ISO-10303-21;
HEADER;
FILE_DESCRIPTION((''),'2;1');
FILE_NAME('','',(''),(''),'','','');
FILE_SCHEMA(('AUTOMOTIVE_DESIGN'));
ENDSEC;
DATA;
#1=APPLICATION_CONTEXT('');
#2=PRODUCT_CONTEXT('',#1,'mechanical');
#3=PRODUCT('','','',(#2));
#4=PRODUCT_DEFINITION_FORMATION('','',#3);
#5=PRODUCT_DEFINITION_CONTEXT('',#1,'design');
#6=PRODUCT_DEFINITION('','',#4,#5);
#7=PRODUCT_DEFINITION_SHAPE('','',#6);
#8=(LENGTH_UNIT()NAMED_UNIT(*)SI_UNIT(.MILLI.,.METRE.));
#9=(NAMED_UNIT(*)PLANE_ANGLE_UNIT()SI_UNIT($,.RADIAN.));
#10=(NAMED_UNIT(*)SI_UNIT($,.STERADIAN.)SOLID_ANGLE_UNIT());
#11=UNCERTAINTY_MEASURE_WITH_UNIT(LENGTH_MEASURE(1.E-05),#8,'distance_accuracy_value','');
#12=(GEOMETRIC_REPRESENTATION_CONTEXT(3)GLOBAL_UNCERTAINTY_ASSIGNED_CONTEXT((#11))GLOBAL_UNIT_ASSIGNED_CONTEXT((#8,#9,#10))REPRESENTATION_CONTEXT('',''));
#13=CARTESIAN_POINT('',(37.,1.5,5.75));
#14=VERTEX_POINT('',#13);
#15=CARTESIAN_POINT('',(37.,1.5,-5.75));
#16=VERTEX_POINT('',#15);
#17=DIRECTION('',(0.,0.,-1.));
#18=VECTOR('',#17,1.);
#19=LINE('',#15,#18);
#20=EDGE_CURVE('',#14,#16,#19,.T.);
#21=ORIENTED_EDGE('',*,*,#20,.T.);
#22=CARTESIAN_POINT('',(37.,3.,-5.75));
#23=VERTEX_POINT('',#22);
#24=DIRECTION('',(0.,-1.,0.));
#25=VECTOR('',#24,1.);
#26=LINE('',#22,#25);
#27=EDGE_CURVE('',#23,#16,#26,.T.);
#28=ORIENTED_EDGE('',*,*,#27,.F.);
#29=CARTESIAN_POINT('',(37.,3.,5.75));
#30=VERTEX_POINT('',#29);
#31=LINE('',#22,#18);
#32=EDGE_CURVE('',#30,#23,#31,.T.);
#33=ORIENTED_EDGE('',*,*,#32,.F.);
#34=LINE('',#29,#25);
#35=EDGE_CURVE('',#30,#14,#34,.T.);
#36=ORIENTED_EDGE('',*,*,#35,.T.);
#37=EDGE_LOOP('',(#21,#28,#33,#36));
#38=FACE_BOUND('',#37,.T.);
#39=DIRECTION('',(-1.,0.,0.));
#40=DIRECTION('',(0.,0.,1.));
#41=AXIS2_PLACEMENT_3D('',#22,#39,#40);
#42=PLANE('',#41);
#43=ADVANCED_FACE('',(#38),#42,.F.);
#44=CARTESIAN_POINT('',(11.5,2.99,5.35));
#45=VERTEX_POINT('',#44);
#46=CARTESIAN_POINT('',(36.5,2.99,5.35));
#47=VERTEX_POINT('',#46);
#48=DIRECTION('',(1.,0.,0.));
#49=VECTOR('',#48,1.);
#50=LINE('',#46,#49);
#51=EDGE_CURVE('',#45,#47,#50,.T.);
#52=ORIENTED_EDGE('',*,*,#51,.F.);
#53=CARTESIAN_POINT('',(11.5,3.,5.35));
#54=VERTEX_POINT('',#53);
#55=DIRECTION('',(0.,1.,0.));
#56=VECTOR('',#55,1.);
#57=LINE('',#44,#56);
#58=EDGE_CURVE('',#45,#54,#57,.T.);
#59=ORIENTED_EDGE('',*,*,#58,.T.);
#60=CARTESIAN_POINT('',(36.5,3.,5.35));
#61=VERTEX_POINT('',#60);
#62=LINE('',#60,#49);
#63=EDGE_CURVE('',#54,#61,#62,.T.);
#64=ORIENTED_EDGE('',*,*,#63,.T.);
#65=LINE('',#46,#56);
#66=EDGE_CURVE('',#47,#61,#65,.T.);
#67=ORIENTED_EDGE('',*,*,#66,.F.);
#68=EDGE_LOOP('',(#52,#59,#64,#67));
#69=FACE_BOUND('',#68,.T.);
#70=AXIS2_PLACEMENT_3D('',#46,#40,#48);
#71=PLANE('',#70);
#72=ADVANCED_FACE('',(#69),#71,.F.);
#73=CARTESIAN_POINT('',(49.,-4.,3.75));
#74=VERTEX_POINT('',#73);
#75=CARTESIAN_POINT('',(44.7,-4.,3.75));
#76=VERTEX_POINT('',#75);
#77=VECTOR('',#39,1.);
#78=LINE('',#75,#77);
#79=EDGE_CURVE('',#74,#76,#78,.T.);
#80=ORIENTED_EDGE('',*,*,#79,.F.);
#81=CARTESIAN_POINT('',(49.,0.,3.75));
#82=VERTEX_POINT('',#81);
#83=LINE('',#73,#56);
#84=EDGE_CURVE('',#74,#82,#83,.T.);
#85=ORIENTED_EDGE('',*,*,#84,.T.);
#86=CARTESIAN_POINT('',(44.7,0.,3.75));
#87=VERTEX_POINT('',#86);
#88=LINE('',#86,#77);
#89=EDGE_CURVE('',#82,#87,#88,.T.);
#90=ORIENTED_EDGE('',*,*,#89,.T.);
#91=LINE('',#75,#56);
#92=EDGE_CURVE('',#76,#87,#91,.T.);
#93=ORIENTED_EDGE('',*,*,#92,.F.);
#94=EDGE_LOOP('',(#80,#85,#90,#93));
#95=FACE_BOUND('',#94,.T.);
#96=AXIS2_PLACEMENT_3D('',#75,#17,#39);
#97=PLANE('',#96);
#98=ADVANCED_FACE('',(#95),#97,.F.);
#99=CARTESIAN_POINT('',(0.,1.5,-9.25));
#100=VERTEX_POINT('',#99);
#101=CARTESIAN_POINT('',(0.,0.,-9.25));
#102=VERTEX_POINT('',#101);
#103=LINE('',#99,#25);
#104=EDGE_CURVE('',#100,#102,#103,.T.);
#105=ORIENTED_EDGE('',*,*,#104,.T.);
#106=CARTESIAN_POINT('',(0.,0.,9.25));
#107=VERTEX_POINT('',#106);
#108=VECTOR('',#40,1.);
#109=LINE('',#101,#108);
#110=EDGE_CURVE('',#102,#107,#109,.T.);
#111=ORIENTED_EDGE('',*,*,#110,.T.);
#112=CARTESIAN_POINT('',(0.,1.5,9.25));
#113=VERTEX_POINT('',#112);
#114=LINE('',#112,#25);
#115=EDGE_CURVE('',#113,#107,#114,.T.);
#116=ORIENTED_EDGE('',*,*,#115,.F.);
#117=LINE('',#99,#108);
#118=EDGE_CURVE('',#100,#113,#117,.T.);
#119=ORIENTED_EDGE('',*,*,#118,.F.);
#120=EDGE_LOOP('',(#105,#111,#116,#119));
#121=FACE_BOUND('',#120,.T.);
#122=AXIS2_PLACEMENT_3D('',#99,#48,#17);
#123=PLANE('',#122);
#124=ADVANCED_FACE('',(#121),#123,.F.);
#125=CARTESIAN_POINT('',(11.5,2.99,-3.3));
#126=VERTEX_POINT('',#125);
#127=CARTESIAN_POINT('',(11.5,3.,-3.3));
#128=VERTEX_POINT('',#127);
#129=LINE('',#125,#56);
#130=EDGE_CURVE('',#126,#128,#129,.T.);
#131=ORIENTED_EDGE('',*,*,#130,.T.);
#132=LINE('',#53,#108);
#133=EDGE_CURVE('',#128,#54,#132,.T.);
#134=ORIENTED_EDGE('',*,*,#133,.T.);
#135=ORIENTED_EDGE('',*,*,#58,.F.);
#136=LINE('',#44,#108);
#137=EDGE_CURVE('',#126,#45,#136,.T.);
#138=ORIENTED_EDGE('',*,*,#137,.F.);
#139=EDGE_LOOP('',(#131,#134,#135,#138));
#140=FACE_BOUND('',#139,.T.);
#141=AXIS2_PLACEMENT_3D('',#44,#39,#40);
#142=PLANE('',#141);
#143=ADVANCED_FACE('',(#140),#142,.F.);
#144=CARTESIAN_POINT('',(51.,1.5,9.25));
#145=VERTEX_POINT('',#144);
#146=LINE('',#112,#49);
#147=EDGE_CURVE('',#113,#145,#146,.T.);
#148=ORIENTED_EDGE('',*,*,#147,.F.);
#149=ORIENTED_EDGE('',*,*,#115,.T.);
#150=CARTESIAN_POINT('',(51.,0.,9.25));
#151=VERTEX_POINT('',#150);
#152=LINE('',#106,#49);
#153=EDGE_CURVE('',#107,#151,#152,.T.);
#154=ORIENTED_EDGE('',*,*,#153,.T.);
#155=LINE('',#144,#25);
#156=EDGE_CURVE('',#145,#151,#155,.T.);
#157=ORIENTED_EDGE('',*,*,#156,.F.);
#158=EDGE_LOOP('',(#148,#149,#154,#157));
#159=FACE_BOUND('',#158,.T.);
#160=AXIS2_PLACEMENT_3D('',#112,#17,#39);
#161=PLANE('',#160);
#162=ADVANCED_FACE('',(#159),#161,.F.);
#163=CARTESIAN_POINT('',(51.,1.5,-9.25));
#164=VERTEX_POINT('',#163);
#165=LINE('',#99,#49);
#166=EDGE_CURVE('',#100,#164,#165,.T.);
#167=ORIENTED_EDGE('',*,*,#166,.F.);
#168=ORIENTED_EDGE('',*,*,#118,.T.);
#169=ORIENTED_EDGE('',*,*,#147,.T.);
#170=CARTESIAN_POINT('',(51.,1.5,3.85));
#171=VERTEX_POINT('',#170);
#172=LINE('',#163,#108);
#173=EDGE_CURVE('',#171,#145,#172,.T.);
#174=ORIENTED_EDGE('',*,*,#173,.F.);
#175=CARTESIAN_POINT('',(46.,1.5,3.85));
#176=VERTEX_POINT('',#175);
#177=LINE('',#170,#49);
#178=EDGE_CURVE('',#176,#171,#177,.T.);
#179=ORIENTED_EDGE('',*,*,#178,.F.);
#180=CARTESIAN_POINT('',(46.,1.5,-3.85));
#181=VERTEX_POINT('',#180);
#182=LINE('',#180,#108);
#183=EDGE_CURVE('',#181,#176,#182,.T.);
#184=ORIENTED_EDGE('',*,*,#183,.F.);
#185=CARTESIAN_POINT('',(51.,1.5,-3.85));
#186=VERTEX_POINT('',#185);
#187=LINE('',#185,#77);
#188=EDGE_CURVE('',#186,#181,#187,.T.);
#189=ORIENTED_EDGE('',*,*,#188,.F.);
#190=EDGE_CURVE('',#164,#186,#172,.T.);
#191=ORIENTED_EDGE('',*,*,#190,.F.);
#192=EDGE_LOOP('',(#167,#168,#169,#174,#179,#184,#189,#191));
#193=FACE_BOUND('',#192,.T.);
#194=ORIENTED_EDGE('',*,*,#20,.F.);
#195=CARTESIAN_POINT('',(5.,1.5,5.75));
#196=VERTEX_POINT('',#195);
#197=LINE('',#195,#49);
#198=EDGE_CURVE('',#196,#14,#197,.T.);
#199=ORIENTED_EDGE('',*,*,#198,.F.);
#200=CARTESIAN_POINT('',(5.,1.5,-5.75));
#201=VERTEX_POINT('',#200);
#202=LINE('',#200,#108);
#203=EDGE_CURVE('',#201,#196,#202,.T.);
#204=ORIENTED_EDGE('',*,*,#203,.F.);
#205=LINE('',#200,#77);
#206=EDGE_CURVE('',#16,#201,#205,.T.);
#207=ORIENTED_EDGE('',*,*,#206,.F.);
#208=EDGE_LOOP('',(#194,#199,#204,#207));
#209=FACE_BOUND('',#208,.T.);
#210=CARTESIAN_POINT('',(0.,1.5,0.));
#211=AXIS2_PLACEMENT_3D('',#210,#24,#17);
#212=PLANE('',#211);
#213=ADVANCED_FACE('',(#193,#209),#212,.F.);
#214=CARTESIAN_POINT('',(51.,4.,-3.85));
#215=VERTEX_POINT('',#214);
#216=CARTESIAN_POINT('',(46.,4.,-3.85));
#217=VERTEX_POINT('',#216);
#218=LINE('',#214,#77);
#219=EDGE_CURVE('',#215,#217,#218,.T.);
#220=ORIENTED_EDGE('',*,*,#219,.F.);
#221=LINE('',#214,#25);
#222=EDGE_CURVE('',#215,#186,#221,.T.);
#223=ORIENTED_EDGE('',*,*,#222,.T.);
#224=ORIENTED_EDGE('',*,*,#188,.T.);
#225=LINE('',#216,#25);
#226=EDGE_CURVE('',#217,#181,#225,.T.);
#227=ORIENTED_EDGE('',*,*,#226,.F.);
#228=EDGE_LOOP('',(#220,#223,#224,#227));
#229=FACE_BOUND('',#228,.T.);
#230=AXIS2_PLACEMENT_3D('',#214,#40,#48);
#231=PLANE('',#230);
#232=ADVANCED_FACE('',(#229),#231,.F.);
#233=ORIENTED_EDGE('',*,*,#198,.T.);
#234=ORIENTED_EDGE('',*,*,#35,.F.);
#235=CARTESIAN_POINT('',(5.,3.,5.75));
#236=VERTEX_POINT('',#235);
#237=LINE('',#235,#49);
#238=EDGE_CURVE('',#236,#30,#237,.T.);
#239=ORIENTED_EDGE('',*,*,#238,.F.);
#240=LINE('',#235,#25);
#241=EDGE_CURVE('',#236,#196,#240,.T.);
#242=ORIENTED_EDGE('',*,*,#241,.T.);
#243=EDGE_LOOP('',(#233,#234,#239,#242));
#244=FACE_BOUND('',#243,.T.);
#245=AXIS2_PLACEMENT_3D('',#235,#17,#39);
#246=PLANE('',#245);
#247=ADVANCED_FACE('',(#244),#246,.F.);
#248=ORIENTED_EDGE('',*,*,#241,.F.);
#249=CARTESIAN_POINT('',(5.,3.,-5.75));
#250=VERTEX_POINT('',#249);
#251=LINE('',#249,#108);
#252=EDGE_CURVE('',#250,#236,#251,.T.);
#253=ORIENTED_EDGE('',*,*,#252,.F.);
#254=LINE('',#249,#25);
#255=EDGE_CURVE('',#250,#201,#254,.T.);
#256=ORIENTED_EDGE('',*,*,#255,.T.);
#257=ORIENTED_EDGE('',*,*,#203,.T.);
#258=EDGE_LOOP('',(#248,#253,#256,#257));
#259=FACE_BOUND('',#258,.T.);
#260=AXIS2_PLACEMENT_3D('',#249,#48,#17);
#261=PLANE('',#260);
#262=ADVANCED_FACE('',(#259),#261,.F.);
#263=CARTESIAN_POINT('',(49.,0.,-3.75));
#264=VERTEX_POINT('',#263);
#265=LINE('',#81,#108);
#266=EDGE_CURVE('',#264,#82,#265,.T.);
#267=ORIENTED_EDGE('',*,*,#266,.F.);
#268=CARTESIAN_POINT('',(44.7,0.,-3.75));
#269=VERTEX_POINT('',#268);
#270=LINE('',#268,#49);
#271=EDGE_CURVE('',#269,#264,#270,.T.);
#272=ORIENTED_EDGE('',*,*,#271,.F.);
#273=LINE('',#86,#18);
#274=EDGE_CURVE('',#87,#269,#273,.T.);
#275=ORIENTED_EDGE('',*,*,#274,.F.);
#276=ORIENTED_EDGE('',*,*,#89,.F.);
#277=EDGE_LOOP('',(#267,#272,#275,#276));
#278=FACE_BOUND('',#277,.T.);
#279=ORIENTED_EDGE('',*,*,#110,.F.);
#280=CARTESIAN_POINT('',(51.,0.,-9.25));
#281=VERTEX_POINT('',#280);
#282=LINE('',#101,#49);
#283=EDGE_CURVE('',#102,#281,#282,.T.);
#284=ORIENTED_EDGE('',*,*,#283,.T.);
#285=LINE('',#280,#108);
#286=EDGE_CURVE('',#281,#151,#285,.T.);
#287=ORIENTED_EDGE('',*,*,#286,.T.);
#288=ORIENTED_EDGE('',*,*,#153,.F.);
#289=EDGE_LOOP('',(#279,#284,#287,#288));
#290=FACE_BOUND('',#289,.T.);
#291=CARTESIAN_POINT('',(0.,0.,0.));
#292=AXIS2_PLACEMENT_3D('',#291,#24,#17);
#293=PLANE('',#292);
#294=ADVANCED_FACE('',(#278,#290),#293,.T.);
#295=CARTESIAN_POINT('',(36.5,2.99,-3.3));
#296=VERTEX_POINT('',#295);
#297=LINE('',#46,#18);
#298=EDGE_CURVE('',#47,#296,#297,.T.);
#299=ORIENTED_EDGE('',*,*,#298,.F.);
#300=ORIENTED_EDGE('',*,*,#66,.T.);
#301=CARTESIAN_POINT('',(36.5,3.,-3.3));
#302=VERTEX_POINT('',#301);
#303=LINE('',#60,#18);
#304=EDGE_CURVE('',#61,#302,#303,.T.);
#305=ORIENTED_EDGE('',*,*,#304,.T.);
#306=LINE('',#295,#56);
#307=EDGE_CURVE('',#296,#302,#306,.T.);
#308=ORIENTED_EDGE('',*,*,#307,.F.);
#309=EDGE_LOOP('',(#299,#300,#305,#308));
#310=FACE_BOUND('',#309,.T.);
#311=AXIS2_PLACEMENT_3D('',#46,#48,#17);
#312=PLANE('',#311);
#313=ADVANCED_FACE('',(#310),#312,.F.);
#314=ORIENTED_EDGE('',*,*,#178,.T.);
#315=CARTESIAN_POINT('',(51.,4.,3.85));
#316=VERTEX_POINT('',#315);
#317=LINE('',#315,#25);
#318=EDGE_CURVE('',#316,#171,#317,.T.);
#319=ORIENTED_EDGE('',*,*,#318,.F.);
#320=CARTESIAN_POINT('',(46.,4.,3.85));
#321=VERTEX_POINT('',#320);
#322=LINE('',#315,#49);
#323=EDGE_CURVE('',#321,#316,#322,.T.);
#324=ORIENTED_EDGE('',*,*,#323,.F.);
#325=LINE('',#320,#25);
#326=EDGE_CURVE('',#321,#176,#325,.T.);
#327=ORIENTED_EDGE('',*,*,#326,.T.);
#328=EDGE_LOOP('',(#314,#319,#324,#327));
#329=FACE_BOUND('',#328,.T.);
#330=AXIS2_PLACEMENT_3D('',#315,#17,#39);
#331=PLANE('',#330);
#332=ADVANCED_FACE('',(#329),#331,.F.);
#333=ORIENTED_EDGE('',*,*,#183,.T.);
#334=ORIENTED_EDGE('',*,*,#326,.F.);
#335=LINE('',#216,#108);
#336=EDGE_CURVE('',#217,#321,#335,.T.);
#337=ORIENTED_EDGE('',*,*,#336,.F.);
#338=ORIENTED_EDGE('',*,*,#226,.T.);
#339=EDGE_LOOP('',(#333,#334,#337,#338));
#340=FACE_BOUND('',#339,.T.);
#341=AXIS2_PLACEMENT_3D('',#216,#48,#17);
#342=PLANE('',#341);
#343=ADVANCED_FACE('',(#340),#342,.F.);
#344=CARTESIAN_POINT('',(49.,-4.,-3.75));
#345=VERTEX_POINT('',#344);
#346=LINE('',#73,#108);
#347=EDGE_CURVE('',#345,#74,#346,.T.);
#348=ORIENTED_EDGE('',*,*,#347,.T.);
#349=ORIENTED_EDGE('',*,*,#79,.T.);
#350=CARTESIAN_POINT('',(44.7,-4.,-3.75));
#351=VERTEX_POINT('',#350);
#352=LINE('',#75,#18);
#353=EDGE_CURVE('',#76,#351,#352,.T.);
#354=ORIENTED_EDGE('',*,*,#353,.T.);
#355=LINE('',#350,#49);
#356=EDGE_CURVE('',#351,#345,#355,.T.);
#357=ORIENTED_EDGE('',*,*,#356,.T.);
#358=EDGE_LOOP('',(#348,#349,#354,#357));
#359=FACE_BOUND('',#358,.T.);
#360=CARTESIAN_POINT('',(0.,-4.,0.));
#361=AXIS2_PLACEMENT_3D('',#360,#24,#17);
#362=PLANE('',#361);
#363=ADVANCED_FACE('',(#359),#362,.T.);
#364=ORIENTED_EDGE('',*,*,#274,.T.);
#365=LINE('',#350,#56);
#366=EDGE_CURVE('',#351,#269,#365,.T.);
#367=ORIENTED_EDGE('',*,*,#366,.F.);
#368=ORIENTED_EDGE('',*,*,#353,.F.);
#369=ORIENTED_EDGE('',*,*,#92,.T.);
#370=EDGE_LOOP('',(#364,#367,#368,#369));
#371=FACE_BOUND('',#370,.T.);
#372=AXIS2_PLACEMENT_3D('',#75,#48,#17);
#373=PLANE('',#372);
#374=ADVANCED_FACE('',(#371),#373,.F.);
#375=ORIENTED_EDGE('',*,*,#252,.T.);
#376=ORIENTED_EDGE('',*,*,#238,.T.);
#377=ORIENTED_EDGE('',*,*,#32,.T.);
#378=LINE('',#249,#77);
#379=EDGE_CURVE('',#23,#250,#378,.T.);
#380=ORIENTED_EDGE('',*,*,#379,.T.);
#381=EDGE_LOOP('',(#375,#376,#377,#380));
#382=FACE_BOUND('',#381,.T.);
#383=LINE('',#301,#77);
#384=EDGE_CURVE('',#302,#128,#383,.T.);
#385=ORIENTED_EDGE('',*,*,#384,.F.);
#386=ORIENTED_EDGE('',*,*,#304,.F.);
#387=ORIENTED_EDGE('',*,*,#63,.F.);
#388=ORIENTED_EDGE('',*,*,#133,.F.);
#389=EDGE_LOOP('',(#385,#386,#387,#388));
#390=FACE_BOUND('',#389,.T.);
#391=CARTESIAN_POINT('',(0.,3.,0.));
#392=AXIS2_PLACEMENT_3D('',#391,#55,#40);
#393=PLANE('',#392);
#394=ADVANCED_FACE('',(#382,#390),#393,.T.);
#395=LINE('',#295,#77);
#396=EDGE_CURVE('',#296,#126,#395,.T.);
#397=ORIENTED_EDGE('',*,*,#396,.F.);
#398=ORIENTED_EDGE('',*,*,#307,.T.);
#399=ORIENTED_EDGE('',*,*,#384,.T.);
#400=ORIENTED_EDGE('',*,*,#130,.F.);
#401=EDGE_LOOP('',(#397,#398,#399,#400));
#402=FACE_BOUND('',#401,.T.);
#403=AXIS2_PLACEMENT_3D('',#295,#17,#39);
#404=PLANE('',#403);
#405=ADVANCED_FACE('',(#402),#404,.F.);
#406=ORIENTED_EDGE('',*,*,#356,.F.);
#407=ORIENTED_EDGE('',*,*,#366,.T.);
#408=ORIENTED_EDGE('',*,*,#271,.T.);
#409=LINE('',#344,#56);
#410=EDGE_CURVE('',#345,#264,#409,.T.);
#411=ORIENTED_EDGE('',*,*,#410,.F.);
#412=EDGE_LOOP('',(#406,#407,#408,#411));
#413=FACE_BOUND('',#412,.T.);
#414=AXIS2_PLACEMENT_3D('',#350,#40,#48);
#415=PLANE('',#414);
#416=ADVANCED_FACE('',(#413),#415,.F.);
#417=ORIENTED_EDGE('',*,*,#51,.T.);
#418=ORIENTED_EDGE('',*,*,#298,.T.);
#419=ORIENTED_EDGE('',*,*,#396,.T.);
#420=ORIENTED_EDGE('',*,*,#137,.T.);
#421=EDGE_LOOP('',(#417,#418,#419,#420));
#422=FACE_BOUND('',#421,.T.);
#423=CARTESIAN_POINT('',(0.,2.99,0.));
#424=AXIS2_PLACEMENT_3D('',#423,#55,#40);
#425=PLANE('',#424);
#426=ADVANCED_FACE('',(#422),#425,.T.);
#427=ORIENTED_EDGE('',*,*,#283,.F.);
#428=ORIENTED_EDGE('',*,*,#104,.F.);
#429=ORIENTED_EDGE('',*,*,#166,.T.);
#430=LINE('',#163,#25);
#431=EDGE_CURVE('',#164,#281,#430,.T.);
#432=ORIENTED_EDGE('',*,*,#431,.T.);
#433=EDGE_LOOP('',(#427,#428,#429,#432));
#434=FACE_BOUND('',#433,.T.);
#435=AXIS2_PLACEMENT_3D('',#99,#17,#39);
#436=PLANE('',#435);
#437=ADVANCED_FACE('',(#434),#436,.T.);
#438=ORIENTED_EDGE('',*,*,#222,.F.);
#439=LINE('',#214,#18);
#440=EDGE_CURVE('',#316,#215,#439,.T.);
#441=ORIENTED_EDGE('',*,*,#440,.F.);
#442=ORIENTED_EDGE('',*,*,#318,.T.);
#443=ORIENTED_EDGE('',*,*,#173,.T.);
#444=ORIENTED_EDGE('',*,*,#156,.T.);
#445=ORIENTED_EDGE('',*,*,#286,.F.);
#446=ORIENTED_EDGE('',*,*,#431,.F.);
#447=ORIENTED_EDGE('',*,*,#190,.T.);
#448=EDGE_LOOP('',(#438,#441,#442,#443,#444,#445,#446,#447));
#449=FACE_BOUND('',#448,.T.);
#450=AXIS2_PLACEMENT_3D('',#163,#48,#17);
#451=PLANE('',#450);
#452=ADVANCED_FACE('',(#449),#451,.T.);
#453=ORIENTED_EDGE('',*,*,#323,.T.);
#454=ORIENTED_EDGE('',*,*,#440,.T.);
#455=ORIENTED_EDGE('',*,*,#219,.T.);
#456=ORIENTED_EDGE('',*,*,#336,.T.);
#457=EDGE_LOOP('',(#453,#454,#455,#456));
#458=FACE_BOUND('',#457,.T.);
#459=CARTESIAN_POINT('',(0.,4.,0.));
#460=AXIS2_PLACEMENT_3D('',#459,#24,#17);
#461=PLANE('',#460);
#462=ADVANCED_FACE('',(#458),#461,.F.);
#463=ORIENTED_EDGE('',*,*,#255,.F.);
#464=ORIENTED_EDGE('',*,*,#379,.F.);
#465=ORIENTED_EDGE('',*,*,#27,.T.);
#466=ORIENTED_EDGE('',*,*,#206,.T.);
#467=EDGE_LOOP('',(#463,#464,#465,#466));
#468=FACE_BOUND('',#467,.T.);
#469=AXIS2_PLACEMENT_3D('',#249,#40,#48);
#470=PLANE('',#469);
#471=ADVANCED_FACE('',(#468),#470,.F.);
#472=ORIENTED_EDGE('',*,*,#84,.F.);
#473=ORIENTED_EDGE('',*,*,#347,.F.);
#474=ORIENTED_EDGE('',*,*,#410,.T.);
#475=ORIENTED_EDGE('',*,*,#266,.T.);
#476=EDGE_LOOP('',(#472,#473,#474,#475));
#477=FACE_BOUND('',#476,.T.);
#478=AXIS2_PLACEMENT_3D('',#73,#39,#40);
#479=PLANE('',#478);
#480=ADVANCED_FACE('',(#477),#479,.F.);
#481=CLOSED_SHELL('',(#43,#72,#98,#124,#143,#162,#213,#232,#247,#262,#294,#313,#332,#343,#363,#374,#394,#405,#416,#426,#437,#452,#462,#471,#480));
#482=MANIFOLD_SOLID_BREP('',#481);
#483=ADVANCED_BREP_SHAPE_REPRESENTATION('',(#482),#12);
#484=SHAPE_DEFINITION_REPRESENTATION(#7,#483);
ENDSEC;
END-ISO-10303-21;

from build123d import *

# Parameters (mm, degrees)
SKETCH1_W           = 51
SKETCH1_H           = 18.5
BOSS_EXTRUDE1_DEPTH = 1.5
SKETCH2_W           = 32
SKETCH2_H           = 11.5
BOSS_EXTRUDE2_DEPTH = 1.5
SKETCH3_W           = 5
SKETCH3_H           = 7.7
BOSS_EXTRUDE3_DEPTH = 2.5
SKETCH4_W           = 4.3
SKETCH4_H           = 7.5
BOSS_EXTRUDE4_DEPTH = 4
SKETCH5_W           = 25
SKETCH5_H           = 8.65
CUT_EXTRUDE1_DEPTH  = 0.01


with BuildPart() as part:
    # Sketch1 → Boss-Extrude1 (new body)
    with BuildSketch(Plane(origin=(0, 0, 27), x_dir=(1, 0, 0), z_dir=(0, 1, 0))):
        with Locations((25.5, 27)):
            Rectangle(SKETCH1_W, SKETCH1_H)
    extrude(amount=BOSS_EXTRUDE1_DEPTH)

    # Sketch2 → Boss-Extrude2 (add)
    with BuildSketch(Plane(origin=(0, 1.5, 0), x_dir=(1, 0, 0), z_dir=(0, 1, 0))):
        with Locations((21, 0)):
            Rectangle(SKETCH2_W, SKETCH2_H)
    extrude(amount=BOSS_EXTRUDE2_DEPTH)

    # Sketch3 → Boss-Extrude3 (add)
    with BuildSketch(Plane(origin=(0, 1.5, 0), x_dir=(1, 0, 0), z_dir=(0, 1, 0))):
        with Locations((48.5, 0)):
            Rectangle(SKETCH3_W, SKETCH3_H)
    extrude(amount=BOSS_EXTRUDE3_DEPTH)

    # Sketch4 → Boss-Extrude4 (add)
    with BuildSketch(Plane.XZ):
        with Locations((46.85, 0)):
            Rectangle(SKETCH4_W, SKETCH4_H)
    extrude(amount=BOSS_EXTRUDE4_DEPTH)

    # Sketch5 → Cut-Extrude1 (cut)
    with BuildSketch(Plane(origin=(0, 3, 0), x_dir=(1, 0, 0), z_dir=(0, 1, 0))):
        with Locations((24, -1.025)):
            Rectangle(SKETCH5_W, SKETCH5_H)
    extrude(amount=-CUT_EXTRUDE1_DEPTH, mode=Mode.SUBTRACT)


solid = part.part
